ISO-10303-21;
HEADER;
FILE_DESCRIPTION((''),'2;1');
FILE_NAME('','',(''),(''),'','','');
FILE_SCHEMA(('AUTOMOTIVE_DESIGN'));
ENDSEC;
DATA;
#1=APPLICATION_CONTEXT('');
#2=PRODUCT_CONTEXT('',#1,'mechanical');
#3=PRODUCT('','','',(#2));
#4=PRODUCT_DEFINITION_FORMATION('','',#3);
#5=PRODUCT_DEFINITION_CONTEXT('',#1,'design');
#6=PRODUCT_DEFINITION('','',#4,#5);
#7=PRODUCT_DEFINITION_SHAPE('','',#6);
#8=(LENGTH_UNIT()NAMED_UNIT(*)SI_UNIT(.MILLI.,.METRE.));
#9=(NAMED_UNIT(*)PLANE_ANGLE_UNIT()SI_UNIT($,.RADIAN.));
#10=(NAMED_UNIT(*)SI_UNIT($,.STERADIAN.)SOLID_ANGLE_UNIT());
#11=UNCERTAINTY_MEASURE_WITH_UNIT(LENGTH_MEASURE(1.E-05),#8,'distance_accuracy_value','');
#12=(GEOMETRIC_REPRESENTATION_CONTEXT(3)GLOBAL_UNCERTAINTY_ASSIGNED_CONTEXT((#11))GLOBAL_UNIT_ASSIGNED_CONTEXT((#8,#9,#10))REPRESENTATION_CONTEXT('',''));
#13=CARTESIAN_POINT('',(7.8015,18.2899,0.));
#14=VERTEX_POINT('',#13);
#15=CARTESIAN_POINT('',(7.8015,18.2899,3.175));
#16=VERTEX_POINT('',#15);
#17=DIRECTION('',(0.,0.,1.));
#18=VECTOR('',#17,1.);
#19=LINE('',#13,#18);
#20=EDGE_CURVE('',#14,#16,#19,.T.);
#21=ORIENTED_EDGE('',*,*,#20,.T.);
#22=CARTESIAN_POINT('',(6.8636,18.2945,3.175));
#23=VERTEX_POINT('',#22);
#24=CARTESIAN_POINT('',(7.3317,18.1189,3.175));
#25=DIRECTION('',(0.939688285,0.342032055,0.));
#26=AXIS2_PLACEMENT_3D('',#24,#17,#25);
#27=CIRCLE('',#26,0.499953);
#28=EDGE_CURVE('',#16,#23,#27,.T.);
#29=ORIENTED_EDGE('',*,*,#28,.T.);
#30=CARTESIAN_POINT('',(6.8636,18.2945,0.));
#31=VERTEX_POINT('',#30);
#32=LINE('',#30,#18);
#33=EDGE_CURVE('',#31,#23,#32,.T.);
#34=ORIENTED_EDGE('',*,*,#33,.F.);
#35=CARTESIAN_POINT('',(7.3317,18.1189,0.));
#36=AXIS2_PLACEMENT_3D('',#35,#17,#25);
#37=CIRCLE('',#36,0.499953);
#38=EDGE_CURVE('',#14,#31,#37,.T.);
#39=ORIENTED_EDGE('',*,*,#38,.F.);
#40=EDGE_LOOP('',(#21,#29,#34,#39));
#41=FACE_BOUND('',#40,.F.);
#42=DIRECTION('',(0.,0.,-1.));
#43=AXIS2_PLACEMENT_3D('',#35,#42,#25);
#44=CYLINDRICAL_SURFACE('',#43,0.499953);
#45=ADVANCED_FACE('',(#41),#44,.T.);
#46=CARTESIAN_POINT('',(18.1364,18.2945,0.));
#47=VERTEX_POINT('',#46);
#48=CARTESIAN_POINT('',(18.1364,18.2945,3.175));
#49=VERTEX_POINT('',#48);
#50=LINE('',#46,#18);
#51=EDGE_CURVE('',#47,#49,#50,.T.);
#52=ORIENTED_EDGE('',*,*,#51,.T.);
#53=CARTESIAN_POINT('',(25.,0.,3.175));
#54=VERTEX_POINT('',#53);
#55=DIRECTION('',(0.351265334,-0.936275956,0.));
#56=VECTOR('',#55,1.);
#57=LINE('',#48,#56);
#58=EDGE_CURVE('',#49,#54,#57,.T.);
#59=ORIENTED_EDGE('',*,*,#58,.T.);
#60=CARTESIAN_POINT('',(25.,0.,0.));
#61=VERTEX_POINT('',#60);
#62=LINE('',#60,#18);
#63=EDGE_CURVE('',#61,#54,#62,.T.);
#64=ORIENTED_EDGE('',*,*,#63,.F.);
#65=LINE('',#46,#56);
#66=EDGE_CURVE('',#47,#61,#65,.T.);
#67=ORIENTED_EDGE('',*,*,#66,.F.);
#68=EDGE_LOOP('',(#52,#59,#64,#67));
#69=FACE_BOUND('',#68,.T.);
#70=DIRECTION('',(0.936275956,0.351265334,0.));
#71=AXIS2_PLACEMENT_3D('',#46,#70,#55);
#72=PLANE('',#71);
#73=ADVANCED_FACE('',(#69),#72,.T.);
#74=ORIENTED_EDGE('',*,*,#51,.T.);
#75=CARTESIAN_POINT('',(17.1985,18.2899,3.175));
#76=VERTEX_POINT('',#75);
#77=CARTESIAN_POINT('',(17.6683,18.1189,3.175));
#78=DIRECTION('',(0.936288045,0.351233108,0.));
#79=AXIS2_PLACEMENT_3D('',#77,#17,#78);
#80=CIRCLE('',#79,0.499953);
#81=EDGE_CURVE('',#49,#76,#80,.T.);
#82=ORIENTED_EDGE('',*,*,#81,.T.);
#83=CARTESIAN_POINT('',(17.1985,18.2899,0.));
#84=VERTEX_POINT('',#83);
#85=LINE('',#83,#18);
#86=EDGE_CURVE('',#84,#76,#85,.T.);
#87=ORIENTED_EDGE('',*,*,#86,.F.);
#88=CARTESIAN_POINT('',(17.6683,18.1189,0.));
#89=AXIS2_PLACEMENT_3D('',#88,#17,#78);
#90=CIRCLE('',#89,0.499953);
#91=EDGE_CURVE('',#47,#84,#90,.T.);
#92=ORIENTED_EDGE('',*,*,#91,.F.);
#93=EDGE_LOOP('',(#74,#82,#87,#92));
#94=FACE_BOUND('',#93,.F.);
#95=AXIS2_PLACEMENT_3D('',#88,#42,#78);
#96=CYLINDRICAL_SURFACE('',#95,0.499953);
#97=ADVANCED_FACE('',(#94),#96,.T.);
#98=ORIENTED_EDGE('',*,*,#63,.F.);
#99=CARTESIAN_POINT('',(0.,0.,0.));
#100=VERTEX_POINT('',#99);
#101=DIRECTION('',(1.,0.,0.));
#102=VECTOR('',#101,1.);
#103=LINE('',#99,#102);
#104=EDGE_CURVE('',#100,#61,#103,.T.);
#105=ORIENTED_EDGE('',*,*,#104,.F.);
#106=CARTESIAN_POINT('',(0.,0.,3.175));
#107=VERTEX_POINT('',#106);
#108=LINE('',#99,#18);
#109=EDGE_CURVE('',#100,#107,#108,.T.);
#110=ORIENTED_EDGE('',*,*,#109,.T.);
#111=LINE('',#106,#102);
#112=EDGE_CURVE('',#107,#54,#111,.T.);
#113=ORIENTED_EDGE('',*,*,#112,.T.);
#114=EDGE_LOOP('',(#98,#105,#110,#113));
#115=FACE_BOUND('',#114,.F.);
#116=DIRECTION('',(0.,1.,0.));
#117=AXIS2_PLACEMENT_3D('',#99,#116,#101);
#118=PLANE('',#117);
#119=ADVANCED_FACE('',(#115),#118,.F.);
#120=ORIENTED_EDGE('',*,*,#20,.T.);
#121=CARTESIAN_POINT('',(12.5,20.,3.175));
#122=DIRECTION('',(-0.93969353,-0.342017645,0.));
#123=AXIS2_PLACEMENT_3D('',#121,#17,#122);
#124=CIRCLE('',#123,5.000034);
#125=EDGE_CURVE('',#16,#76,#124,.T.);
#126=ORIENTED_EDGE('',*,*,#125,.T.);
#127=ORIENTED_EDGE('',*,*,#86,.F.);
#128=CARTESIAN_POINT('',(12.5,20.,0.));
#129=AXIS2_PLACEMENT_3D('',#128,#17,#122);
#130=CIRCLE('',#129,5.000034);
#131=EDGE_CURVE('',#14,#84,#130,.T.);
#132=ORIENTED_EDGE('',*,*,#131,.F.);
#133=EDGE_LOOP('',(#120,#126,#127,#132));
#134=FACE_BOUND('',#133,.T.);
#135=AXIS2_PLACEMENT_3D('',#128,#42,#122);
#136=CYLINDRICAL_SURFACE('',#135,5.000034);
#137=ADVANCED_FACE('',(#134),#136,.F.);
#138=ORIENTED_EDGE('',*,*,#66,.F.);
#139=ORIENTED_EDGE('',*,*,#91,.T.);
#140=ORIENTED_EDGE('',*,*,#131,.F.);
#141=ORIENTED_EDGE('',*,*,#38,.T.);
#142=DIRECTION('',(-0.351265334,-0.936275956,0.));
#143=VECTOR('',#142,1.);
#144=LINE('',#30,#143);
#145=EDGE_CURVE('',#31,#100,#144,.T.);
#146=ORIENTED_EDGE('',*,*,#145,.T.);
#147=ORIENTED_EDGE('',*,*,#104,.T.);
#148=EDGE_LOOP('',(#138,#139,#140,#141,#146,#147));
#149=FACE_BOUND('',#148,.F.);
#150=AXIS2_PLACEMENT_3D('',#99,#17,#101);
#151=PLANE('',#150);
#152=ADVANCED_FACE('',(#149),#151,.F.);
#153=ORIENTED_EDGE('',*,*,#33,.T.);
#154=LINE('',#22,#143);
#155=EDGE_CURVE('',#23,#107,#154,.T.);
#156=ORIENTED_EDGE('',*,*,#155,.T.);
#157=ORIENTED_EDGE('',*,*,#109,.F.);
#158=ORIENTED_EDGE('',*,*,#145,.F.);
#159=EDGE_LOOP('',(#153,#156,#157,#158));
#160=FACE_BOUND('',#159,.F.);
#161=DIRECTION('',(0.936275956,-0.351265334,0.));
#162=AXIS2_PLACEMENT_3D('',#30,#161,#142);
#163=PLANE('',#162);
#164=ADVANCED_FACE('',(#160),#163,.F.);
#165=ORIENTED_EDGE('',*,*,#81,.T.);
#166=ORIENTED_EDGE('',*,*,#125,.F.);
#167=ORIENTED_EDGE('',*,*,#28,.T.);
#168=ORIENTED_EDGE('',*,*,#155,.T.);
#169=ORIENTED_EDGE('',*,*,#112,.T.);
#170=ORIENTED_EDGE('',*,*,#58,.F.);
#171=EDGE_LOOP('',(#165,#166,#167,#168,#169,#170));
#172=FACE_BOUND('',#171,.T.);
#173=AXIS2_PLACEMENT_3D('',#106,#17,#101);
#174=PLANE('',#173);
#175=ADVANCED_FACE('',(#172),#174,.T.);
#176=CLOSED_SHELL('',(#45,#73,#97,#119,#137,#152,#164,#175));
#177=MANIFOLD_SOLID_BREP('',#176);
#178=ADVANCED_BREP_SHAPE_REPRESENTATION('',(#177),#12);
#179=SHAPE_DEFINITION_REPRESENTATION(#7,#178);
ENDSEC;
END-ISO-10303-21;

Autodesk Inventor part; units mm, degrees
ref_plane "YZ Plane" through (0, 0, 0) normal (1, 0, 0) x (0, 1, 0)
ref_plane "XZ Plane" through (0, 0, 0) normal (0, 1, 0) x (-1, 0, 0)
ref_plane "XY Plane" through (0, 0, 0) normal (0, 0, 1) x (1, 0, 0)
sketch "Sketch1" plane through (0, 0, 0) normal (0, 0, 1) x (1, 0, 0)
  line L0 (0, 0) -> (25, 0)
  arc A0 (7.8015, 18.2899) -> (17.1985, 18.2899) centre (12.5, 20) ccw
  line L1 (18.1364, 18.2945) -> (25, 0)
  line L2 (6.8636, 18.2945) -> (0, 0)
  arc A1 (7.8015, 18.2899) -> (6.8636, 18.2945) centre (7.3317, 18.1189) ccw
  arc A2 (18.1364, 18.2945) -> (17.1985, 18.2899) centre (17.6683, 18.1189) ccw
  dimension "d0" = 5
  dimension "d1" = 20
  dimension "d2" = 25
  dimension "d4" = 20
  dimension "d9" = 0.5
extrude "Extrusion1" add sketch "Sketch1" along normal blind 3.175
equation "\"d5\" = THICKA"
equation "\"THICKA\" = 3.175"
equation "\"THICKB\" = 6.731"
equation "\"THICKC\" = 12.7"
equation "\"MAGDIA\" = 9.5"
equation "\"BALLDIA\" = 12"
properties part number "Air2D_Shaft_Brace"
